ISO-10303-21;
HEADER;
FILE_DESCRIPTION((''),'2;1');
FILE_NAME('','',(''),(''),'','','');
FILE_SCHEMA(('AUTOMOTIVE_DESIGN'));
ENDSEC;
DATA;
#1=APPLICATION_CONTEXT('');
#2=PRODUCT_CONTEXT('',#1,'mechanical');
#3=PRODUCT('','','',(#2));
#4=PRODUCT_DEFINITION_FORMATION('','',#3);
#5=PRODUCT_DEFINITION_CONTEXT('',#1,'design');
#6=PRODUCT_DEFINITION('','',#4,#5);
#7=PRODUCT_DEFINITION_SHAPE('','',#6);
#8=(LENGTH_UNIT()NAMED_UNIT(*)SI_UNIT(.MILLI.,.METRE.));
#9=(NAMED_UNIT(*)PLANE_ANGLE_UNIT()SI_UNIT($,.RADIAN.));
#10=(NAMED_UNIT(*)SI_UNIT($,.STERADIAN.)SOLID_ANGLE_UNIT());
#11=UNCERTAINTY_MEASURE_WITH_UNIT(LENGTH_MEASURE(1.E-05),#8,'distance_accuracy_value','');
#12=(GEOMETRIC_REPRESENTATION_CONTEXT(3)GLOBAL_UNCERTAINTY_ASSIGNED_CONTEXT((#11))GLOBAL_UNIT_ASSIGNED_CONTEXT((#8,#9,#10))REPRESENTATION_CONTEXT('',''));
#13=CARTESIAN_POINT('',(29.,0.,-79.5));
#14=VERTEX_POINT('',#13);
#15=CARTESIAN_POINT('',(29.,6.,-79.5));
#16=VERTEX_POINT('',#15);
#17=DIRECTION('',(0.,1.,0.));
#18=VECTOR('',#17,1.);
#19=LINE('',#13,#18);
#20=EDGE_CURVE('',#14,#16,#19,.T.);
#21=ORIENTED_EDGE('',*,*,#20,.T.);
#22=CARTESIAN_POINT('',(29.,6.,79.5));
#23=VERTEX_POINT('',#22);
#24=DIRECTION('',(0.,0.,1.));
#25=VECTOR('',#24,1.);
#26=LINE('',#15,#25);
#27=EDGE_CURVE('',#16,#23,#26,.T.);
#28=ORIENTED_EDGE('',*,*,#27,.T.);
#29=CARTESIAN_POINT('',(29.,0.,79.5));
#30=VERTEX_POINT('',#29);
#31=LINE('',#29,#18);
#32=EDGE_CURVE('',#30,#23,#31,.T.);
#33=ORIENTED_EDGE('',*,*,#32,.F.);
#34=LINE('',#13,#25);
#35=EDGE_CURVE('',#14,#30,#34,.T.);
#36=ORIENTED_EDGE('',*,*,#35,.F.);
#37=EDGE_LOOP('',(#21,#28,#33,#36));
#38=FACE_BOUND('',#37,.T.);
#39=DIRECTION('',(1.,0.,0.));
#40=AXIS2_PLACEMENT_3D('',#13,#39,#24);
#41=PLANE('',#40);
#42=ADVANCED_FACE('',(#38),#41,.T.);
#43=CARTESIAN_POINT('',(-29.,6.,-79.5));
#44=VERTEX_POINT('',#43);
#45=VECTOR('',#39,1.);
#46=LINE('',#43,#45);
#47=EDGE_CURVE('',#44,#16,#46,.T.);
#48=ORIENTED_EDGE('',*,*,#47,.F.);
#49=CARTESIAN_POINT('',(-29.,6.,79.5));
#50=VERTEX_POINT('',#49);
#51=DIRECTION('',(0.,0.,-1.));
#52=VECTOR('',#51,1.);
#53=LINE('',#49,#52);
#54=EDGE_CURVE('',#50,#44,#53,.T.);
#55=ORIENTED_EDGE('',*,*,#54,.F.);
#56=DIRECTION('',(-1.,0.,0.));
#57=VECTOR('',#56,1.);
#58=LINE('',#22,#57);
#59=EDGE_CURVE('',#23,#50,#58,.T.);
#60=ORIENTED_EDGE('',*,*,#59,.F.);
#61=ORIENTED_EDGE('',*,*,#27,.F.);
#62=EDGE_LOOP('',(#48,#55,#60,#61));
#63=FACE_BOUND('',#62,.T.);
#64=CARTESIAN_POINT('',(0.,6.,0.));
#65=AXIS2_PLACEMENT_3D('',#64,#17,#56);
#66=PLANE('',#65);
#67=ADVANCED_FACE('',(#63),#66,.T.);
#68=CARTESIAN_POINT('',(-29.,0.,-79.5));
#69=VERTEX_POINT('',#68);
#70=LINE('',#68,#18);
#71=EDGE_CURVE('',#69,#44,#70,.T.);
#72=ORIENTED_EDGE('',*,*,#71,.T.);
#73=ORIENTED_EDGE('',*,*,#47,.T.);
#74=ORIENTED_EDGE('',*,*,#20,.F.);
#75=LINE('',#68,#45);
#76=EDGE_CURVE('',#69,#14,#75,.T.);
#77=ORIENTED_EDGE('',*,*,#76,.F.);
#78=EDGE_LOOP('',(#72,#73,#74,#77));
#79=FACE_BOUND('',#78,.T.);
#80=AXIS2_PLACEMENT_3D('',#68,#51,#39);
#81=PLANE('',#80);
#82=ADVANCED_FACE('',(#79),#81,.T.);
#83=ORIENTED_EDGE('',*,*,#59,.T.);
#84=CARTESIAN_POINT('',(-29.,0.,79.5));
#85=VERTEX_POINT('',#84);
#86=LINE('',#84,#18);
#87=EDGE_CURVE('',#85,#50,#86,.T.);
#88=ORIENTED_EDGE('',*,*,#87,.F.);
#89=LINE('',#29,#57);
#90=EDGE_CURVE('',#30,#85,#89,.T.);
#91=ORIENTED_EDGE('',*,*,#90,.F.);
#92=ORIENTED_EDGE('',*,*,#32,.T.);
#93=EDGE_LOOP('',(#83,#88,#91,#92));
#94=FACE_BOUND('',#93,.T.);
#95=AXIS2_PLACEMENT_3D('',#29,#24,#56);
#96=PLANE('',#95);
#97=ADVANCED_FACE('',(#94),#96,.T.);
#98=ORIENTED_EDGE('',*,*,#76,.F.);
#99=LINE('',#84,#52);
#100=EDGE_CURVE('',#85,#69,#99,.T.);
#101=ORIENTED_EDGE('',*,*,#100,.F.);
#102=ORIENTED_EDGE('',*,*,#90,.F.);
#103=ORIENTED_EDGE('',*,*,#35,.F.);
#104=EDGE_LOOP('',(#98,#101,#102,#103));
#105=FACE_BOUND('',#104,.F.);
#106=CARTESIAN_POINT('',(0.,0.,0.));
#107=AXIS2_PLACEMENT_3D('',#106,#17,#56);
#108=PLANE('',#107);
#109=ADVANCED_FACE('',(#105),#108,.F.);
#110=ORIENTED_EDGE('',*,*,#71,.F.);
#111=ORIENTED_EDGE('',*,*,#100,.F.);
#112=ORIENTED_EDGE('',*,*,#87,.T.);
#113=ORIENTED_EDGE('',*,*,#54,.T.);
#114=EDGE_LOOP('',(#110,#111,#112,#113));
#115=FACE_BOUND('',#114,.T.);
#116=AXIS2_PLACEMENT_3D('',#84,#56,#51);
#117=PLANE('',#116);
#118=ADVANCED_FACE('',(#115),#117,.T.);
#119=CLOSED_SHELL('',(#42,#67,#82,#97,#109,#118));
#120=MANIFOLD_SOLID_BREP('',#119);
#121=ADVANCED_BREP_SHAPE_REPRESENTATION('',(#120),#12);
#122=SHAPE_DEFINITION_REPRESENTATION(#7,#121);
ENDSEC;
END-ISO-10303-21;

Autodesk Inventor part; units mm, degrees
ref_plane "YZ Plane" through (0, 0, 0) normal (1, 0, 0) x (0, 1, 0)
ref_plane "XZ Plane" through (0, 0, 0) normal (0, 1, 0) x (-1, 0, 0)
ref_plane "XY Plane" through (0, 0, 0) normal (0, 0, 1) x (1, 0, 0)
sketch "Sketch1" plane through (0, 0, 0) normal (0, 1, 0) x (-1, 0, 0)
  line L0 (-29, 79.5) -> (29, 79.5)
  line L1 (29, 79.5) -> (29, -79.5)
  line L2 (29, -79.5) -> (-29, -79.5)
  line L3 (-29, -79.5) -> (-29, 79.5)
  line L4 (-29, 79.5) -> (29, -79.5) construction
  line L5 (29, 79.5) -> (-29, -79.5) construction
  point P0 (0, 0)
  dimension "d0" = 159
  dimension "d1" = 58
extrude "Extrusion1" add sketch "Sketch1" along normal blind 6
properties part number "case_lid" material "Acrylic, Clear"
